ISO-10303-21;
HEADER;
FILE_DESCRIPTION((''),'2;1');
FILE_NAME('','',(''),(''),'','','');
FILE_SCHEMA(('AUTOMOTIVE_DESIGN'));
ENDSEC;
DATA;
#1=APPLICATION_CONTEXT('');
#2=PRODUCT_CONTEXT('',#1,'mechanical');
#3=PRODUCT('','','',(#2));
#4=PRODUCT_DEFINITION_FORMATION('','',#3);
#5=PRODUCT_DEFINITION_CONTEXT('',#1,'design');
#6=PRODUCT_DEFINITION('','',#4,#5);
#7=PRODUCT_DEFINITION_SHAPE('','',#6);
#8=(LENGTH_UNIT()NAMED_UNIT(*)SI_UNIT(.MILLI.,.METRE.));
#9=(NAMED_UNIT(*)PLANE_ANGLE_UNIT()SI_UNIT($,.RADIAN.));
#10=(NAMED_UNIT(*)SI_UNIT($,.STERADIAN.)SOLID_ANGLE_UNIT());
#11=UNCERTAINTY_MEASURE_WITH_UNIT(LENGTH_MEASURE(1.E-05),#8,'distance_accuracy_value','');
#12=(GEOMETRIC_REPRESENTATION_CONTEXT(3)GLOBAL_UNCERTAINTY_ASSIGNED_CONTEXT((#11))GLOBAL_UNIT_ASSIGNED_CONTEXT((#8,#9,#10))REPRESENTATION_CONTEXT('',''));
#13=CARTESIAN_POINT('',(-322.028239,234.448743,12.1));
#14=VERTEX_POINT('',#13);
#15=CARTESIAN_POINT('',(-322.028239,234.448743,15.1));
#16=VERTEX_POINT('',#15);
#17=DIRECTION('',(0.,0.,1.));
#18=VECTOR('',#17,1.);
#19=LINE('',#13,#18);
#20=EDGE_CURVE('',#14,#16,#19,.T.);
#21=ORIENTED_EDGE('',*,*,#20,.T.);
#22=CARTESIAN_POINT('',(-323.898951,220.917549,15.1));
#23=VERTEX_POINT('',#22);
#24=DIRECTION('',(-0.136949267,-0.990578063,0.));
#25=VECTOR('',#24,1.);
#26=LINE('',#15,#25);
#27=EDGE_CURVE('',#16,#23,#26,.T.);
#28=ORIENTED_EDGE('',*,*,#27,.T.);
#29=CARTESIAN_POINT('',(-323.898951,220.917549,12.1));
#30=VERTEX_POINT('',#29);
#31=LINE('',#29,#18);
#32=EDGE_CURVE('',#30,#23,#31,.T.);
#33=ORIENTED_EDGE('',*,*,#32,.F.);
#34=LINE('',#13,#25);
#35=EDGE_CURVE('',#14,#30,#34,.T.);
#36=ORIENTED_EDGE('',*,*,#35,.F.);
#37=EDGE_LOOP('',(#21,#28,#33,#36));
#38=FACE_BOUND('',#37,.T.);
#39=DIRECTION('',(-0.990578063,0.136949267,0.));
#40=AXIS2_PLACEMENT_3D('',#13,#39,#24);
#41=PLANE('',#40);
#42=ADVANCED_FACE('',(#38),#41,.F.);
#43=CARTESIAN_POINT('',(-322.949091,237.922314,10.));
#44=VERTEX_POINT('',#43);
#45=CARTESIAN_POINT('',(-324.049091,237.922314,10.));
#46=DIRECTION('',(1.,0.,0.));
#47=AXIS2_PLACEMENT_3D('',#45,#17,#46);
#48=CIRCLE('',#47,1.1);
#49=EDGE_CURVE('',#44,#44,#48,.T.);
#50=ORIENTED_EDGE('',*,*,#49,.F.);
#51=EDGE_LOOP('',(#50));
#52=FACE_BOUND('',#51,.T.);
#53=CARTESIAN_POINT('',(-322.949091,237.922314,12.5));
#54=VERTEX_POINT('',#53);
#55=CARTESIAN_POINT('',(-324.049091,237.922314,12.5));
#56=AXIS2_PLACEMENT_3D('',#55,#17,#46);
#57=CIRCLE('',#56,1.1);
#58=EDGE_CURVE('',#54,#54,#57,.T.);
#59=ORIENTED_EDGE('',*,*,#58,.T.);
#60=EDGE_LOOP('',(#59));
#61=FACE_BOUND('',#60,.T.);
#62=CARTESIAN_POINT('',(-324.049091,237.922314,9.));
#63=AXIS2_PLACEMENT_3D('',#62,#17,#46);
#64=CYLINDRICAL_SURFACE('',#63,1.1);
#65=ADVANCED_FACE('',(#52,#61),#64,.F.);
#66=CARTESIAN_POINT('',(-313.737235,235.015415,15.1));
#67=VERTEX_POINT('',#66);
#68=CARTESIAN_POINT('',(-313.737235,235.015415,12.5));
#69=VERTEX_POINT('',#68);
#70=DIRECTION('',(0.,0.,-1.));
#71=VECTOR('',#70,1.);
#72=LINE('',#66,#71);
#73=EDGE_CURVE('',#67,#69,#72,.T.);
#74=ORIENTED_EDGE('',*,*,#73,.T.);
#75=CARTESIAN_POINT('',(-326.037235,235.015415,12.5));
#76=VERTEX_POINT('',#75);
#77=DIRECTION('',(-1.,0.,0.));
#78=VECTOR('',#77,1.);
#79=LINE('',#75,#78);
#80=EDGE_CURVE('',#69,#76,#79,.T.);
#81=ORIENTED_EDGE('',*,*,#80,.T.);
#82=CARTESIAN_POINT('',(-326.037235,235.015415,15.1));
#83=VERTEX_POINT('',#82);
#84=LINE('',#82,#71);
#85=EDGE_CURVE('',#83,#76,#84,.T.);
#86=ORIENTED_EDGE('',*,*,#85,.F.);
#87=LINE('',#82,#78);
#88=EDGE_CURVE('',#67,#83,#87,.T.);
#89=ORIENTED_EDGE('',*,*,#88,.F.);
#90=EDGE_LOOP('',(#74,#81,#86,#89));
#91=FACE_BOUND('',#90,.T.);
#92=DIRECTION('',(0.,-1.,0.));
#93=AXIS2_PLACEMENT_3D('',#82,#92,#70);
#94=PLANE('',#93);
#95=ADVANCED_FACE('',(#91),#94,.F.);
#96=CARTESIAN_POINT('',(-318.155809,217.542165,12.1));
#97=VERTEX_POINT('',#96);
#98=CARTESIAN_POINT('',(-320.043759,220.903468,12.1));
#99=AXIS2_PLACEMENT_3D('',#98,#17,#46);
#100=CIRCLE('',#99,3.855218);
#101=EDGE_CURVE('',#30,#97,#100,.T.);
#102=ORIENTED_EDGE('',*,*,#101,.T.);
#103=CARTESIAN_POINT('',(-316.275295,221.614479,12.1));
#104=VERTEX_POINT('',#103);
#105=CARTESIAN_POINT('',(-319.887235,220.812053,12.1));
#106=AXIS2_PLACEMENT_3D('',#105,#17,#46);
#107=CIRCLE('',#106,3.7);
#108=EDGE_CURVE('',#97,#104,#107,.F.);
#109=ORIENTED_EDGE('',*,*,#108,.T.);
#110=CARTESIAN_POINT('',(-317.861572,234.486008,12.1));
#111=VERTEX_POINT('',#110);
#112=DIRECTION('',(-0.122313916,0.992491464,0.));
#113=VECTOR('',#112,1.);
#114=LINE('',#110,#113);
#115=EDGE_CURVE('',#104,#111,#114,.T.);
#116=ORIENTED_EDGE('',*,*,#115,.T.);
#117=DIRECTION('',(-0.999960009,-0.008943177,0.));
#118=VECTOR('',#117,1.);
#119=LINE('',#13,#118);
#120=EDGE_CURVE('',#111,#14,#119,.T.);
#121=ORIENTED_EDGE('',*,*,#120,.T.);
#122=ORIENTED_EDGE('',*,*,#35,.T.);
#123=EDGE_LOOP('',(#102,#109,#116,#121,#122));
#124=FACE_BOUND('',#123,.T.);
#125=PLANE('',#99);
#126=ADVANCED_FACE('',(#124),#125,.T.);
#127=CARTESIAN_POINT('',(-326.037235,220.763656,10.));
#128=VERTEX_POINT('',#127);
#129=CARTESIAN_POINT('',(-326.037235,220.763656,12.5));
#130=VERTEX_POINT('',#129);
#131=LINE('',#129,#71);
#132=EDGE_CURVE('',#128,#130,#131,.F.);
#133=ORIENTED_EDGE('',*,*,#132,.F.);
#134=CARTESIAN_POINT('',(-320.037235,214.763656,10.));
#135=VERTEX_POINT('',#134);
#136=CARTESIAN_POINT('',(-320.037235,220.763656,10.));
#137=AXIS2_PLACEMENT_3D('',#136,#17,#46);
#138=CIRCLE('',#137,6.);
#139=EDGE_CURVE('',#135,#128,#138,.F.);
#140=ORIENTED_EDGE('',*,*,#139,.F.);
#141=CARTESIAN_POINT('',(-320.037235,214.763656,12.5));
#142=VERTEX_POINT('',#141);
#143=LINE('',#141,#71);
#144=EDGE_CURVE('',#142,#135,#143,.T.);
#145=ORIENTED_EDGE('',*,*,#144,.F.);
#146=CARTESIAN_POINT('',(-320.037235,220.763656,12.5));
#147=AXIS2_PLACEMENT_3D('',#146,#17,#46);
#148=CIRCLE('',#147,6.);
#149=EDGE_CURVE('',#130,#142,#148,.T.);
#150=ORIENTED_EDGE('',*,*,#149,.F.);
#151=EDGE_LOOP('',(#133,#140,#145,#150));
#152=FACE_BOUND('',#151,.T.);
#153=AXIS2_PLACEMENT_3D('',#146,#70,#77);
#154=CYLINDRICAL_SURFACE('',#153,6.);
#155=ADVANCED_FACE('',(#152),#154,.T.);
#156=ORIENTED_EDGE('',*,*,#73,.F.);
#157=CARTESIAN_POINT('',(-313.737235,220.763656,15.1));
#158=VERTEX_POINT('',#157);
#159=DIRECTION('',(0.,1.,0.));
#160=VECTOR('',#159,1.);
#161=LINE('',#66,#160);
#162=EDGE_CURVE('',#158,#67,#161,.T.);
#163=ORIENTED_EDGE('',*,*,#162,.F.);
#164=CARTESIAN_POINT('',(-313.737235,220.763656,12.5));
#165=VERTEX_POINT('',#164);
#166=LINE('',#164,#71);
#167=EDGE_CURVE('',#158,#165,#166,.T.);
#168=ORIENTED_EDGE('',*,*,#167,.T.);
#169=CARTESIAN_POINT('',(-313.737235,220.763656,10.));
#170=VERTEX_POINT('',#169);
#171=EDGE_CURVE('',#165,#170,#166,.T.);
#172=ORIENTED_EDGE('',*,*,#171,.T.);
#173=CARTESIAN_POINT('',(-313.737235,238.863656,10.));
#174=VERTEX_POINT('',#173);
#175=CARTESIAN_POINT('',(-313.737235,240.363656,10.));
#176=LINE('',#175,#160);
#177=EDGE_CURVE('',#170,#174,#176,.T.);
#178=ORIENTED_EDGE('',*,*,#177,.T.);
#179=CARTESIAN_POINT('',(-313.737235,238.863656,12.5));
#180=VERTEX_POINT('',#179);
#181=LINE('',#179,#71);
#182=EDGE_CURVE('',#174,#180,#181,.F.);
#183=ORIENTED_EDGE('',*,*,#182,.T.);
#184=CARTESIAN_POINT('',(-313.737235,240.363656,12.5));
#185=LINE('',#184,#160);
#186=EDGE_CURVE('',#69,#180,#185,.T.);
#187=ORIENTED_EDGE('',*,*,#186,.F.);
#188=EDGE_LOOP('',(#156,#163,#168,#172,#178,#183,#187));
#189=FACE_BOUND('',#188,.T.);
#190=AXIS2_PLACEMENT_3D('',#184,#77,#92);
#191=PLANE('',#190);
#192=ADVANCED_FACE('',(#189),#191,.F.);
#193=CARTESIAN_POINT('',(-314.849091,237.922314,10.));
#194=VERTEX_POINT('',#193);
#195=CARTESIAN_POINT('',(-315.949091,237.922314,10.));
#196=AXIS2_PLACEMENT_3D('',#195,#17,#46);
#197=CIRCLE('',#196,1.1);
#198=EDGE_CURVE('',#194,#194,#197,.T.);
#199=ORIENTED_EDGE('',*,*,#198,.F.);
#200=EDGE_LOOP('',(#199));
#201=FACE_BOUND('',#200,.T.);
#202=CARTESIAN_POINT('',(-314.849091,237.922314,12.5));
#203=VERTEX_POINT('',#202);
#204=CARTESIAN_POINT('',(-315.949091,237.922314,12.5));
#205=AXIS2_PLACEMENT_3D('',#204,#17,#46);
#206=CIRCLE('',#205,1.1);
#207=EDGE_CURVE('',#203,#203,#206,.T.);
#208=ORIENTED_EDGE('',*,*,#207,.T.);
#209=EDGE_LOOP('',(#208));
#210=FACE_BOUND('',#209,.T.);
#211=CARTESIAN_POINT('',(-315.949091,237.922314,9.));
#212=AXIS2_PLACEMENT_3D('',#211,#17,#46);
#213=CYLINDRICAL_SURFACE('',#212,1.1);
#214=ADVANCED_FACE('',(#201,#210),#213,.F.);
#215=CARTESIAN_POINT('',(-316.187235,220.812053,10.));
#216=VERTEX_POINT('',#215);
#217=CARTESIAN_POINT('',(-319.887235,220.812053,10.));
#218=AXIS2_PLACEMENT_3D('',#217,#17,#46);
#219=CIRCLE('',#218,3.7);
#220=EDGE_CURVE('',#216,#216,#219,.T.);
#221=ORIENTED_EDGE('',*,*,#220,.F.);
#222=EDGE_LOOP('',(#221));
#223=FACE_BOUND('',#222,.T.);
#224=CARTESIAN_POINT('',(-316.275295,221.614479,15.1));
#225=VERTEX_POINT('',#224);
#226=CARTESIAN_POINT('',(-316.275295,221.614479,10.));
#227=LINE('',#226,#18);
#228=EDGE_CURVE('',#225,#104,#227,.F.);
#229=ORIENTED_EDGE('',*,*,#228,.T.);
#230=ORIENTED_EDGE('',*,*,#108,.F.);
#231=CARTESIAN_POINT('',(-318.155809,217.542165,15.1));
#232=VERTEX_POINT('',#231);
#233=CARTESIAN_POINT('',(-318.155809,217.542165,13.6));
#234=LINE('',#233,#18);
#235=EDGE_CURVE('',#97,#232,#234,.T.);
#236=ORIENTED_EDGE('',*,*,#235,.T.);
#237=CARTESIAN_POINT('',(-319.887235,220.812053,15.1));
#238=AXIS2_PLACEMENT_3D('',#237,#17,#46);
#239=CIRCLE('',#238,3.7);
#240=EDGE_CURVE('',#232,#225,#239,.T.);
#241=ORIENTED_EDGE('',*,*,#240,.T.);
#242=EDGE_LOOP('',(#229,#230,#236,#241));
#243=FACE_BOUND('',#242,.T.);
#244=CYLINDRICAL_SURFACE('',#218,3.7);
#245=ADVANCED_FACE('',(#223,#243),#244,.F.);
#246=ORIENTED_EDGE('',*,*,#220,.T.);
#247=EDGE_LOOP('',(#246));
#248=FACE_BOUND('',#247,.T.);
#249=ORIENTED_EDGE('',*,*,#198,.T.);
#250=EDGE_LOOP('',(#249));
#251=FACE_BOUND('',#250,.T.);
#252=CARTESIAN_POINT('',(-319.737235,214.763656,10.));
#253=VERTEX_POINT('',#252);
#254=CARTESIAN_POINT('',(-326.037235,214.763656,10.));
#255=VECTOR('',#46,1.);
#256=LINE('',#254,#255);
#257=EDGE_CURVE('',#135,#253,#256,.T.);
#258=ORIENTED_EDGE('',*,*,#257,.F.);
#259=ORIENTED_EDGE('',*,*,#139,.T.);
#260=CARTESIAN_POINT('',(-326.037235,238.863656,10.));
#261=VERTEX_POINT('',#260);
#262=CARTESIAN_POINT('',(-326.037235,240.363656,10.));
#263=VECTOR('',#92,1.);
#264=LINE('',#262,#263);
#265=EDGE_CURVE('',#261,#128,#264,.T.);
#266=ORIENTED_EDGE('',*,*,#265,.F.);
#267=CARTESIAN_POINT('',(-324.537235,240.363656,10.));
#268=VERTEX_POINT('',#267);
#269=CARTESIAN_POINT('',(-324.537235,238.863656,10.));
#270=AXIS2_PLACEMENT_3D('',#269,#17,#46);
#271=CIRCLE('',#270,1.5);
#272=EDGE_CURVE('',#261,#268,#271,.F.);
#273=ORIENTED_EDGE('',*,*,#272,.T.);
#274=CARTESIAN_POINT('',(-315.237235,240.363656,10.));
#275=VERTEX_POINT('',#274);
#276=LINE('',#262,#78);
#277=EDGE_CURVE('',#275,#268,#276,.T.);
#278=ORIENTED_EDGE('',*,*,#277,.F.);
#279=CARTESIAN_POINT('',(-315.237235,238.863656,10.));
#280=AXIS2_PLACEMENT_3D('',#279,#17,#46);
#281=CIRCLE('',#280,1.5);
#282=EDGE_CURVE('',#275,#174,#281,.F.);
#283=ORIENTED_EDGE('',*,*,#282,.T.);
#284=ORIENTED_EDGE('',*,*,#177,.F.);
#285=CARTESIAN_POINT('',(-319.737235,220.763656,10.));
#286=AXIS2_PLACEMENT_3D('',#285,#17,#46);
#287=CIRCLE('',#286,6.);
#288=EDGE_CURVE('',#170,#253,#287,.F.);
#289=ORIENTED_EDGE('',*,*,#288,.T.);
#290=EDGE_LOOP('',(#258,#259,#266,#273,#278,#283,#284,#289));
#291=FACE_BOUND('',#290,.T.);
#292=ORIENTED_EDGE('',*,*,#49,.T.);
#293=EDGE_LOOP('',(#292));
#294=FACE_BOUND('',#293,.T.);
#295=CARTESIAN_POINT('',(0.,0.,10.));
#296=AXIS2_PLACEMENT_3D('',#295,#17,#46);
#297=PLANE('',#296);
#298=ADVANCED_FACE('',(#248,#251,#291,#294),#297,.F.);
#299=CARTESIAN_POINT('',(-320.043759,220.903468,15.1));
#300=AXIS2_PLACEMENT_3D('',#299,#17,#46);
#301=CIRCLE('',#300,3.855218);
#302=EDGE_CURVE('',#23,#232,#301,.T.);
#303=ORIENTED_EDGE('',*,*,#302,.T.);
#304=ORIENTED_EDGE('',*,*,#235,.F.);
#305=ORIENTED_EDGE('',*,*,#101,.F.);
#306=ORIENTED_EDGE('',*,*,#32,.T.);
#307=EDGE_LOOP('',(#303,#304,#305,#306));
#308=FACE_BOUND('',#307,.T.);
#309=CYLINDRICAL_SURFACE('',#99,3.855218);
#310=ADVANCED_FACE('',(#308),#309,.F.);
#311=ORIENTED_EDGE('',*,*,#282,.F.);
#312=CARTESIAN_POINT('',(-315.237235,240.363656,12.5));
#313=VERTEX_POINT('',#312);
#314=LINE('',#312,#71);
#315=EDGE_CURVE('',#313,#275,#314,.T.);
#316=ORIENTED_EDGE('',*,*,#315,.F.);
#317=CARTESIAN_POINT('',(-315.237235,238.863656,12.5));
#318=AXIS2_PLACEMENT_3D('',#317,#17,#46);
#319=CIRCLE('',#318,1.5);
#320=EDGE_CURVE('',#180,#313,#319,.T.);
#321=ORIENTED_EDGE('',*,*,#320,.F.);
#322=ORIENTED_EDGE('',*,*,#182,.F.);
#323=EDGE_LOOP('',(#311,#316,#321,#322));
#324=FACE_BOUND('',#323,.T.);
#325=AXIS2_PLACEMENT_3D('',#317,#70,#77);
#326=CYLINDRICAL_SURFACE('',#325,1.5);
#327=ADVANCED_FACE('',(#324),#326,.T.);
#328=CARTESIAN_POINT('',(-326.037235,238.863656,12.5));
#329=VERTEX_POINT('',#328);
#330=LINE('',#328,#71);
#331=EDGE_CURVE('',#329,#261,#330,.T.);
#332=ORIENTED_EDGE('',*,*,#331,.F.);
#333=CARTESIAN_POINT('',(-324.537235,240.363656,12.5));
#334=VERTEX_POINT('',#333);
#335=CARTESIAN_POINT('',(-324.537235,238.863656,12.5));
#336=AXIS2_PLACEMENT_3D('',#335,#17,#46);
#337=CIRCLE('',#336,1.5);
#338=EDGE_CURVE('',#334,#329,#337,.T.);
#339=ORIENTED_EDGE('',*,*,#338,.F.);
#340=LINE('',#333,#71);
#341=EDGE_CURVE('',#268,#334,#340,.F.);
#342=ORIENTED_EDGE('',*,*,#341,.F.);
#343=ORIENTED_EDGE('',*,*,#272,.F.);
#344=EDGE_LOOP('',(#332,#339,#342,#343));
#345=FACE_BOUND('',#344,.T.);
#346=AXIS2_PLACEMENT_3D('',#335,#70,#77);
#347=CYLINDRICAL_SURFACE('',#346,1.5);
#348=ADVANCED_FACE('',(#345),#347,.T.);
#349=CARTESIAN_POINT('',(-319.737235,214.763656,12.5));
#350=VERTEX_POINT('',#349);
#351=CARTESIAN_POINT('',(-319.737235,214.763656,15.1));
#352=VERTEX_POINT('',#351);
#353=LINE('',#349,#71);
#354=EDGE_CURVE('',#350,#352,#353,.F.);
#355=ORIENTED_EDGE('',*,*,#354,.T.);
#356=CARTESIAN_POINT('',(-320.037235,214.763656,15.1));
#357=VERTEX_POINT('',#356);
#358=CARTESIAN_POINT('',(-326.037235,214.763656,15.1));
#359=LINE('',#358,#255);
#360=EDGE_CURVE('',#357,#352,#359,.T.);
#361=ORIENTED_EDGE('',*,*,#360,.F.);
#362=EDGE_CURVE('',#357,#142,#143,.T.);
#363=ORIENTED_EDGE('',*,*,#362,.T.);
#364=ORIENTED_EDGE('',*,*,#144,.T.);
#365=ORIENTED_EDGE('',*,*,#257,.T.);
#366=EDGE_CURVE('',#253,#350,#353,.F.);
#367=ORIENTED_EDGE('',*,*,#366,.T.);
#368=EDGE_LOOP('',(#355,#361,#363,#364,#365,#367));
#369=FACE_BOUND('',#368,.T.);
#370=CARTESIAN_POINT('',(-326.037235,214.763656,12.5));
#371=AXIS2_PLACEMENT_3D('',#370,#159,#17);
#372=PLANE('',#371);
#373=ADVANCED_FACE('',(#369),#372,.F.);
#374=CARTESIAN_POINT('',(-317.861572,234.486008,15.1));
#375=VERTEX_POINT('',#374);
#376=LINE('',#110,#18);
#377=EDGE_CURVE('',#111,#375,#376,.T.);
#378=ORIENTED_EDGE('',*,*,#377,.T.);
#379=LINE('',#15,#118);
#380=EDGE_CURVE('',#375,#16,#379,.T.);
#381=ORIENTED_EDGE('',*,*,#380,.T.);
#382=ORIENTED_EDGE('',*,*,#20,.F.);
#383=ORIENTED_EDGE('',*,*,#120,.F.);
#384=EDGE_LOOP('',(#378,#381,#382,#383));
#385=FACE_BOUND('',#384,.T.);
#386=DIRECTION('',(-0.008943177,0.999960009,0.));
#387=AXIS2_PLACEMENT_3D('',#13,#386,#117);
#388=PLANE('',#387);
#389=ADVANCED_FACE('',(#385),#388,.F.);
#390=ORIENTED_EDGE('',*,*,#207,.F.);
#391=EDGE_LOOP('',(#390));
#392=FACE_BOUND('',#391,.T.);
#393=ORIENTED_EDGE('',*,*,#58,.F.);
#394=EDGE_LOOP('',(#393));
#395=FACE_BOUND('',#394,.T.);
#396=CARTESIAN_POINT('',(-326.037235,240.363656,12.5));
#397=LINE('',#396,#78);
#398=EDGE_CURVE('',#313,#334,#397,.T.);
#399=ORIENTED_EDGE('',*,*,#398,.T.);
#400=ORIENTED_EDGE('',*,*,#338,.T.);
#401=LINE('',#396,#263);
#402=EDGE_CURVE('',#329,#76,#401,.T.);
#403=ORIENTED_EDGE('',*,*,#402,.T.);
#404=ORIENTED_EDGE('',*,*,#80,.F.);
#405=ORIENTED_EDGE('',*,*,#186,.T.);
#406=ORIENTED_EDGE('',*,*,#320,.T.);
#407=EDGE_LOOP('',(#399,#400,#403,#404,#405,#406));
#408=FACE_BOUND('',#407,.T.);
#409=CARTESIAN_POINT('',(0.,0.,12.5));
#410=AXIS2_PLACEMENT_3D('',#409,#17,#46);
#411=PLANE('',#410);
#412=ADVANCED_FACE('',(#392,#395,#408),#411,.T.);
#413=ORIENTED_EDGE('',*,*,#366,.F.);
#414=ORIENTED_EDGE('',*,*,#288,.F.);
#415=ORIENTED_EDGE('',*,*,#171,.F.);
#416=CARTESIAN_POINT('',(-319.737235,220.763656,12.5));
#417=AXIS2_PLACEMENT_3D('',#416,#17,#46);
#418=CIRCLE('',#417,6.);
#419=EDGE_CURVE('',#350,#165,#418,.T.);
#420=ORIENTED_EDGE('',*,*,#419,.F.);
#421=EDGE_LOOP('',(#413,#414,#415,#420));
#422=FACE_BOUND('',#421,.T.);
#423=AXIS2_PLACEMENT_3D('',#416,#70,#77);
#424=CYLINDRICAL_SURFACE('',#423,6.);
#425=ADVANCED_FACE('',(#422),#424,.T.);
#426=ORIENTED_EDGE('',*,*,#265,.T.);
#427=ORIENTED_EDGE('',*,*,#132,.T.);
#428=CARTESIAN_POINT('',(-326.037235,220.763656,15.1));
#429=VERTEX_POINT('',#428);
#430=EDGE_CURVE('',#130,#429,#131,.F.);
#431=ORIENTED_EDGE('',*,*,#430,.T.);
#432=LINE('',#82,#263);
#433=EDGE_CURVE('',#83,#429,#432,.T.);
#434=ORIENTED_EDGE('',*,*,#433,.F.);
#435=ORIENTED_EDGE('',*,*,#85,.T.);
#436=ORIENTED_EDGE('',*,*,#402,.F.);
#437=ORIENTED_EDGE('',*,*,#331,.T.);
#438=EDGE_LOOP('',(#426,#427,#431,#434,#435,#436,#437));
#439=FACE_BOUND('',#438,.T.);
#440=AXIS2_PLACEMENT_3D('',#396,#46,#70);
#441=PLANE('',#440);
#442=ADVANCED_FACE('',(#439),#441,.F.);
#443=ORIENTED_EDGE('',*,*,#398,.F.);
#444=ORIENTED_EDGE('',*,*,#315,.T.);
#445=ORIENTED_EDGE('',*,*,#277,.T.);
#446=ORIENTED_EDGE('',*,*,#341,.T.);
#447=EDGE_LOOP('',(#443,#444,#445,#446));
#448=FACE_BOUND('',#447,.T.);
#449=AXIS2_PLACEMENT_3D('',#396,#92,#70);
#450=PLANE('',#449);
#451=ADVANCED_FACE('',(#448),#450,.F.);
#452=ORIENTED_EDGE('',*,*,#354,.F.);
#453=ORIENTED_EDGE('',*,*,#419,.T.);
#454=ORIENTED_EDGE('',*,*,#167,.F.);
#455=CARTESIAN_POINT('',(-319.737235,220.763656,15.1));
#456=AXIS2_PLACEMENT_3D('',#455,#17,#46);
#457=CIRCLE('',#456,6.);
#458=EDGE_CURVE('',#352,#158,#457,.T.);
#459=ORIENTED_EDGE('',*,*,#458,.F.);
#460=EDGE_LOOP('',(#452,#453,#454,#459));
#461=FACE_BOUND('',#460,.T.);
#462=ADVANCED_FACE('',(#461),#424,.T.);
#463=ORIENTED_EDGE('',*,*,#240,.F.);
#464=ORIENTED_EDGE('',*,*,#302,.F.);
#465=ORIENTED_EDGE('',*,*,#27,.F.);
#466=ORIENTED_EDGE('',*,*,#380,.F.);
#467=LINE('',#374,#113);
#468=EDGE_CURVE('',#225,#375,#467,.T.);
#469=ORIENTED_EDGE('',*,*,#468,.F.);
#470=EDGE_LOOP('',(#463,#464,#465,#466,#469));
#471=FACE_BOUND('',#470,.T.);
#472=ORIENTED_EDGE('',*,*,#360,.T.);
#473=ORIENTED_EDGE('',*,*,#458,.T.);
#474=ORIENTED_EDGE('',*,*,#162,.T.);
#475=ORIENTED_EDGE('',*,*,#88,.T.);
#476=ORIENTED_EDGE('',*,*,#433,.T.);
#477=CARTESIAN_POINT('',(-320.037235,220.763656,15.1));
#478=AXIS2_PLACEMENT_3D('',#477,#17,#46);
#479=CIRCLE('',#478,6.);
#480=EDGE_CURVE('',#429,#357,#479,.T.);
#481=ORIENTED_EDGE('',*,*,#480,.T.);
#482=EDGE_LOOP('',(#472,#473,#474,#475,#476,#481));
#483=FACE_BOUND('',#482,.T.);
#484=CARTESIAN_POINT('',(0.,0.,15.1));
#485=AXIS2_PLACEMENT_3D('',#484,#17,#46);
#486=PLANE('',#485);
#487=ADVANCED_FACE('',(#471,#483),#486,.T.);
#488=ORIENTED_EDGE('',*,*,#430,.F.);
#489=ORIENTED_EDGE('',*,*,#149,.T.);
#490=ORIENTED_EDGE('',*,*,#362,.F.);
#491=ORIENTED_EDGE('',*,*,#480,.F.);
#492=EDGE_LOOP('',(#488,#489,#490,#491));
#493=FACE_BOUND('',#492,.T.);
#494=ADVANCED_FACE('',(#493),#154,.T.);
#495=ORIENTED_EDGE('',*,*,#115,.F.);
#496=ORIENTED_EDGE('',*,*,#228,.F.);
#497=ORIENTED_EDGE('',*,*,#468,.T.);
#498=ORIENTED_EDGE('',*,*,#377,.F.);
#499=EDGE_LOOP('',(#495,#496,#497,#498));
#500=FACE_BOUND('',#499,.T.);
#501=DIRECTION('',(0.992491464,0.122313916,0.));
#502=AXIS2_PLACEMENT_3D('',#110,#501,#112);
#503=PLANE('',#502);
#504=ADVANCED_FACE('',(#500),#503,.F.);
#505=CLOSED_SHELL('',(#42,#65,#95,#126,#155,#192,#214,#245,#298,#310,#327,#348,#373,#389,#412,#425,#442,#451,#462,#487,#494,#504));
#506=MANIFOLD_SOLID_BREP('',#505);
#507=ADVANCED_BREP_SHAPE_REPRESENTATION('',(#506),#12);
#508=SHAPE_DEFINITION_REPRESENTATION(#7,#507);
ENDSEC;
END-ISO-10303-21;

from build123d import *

# Parameters (mm, degrees)
BOSS_EXTRUDE1_DEPTH = 2.5
FILLET1_R           = 6
FILLET2_R           = 1.5
SKETCH3_R           = 1.0999999999999897
CUT_EXTRUDE1_DEPTH  = 3.5
SKETCH4_W           = 12.299999999999898
SKETCH4_H           = 20.25175916550927
BOSS_EXTRUDE2_DEPTH = 2.6
FILLET3_R           = 6
SKETCH5_R           = 3.7000000000000113
CUT_EXTRUDE2_DEPTH  = 406.0937861882827
CUT_EXTRUDE3_DEPTH  = 3


with BuildPart() as part:
    # Sketch2 → Boss-Extrude1 (new body)
    with BuildSketch(Plane.XY.offset(10)):
        Polygon((-326.0372348081085, 240.3636560028167), (-313.73723480810855, 240.3636560028167), (-313.7372348081086, 214.7636560028167), (-326.0372348081085, 214.7636560028167), align=None)
    extrude(amount=BOSS_EXTRUDE1_DEPTH)

    # Fillet1
    fillet1_edges = [part.edges().sort_by_distance(p)[0] for p in [
        (-313.7372348081086, 214.7636560028167, 11.25),
        (-326.0372348081085, 214.7636560028167, 11.25),
    ]]
    fillet(fillet1_edges, radius=FILLET1_R)

    # Fillet2
    fillet2_edges = [part.edges().sort_by_distance(p)[0] for p in [
        (-326.0372348081085, 240.3636560028167, 11.25),
        (-313.73723480810855, 240.3636560028167, 11.25),
    ]]
    fillet(fillet2_edges, radius=FILLET2_R)

    # Sketch3 → Cut-Extrude1 (cut)
    with BuildSketch(Plane.XY.offset(12.5)):
        with Locations((-324.0490905957561, 237.92231401546465)):
            Circle(SKETCH3_R)
        with Locations((-315.94909059575616, 237.92231401546465)):
            Circle(SKETCH3_R)
    extrude(amount=-CUT_EXTRUDE1_DEPTH, mode=Mode.SUBTRACT)

    # Sketch4 → Boss-Extrude2 (add)
    with BuildSketch(Plane.XY.offset(12.5)):
        with Locations((-319.8872348081086, 224.88953558557134)):
            Rectangle(SKETCH4_W, SKETCH4_H)
    extrude(amount=BOSS_EXTRUDE2_DEPTH)

    # Fillet3
    fillet3_edges = [part.edges().sort_by_distance(p)[0] for p in [
        (-313.7372348081086, 214.7636560028167, 13.8),
        (-326.0372348081085, 214.7636560028167, 13.8),
    ]]
    fillet(fillet3_edges, radius=FILLET3_R)

    # Sketch5 → Cut-Extrude2 (cut, through all)
    with BuildSketch(Plane.XY.offset(15.100000000000001)):
        with Locations((-319.88723480810853, 220.81205289784253)):
            Circle(SKETCH5_R)
    extrude(amount=-CUT_EXTRUDE2_DEPTH, mode=Mode.SUBTRACT)

    # Sketch6 → Cut-Extrude3 (cut)
    with BuildSketch(Plane.XY.offset(15.100000000000001)):
        with BuildLine():
            Line((-322.02823852882625, 234.448742964222), (-317.861572265625, 234.4860076904297))
            Line((-317.861572265625, 234.4860076904297), (-316.1885469617624, 220.91058317385776))
            ThreePointArc((-316.1885469617624, 220.91058317385776), (-320.04724170804894, 217.04825103409732), (-323.8989513546933, 220.91754909715644))
            Line((-323.8989513546933, 220.91754909715644), (-322.02823852882625, 234.448742964222))
        make_face()
    extrude(amount=-CUT_EXTRUDE3_DEPTH, mode=Mode.SUBTRACT)


solid = part.part
